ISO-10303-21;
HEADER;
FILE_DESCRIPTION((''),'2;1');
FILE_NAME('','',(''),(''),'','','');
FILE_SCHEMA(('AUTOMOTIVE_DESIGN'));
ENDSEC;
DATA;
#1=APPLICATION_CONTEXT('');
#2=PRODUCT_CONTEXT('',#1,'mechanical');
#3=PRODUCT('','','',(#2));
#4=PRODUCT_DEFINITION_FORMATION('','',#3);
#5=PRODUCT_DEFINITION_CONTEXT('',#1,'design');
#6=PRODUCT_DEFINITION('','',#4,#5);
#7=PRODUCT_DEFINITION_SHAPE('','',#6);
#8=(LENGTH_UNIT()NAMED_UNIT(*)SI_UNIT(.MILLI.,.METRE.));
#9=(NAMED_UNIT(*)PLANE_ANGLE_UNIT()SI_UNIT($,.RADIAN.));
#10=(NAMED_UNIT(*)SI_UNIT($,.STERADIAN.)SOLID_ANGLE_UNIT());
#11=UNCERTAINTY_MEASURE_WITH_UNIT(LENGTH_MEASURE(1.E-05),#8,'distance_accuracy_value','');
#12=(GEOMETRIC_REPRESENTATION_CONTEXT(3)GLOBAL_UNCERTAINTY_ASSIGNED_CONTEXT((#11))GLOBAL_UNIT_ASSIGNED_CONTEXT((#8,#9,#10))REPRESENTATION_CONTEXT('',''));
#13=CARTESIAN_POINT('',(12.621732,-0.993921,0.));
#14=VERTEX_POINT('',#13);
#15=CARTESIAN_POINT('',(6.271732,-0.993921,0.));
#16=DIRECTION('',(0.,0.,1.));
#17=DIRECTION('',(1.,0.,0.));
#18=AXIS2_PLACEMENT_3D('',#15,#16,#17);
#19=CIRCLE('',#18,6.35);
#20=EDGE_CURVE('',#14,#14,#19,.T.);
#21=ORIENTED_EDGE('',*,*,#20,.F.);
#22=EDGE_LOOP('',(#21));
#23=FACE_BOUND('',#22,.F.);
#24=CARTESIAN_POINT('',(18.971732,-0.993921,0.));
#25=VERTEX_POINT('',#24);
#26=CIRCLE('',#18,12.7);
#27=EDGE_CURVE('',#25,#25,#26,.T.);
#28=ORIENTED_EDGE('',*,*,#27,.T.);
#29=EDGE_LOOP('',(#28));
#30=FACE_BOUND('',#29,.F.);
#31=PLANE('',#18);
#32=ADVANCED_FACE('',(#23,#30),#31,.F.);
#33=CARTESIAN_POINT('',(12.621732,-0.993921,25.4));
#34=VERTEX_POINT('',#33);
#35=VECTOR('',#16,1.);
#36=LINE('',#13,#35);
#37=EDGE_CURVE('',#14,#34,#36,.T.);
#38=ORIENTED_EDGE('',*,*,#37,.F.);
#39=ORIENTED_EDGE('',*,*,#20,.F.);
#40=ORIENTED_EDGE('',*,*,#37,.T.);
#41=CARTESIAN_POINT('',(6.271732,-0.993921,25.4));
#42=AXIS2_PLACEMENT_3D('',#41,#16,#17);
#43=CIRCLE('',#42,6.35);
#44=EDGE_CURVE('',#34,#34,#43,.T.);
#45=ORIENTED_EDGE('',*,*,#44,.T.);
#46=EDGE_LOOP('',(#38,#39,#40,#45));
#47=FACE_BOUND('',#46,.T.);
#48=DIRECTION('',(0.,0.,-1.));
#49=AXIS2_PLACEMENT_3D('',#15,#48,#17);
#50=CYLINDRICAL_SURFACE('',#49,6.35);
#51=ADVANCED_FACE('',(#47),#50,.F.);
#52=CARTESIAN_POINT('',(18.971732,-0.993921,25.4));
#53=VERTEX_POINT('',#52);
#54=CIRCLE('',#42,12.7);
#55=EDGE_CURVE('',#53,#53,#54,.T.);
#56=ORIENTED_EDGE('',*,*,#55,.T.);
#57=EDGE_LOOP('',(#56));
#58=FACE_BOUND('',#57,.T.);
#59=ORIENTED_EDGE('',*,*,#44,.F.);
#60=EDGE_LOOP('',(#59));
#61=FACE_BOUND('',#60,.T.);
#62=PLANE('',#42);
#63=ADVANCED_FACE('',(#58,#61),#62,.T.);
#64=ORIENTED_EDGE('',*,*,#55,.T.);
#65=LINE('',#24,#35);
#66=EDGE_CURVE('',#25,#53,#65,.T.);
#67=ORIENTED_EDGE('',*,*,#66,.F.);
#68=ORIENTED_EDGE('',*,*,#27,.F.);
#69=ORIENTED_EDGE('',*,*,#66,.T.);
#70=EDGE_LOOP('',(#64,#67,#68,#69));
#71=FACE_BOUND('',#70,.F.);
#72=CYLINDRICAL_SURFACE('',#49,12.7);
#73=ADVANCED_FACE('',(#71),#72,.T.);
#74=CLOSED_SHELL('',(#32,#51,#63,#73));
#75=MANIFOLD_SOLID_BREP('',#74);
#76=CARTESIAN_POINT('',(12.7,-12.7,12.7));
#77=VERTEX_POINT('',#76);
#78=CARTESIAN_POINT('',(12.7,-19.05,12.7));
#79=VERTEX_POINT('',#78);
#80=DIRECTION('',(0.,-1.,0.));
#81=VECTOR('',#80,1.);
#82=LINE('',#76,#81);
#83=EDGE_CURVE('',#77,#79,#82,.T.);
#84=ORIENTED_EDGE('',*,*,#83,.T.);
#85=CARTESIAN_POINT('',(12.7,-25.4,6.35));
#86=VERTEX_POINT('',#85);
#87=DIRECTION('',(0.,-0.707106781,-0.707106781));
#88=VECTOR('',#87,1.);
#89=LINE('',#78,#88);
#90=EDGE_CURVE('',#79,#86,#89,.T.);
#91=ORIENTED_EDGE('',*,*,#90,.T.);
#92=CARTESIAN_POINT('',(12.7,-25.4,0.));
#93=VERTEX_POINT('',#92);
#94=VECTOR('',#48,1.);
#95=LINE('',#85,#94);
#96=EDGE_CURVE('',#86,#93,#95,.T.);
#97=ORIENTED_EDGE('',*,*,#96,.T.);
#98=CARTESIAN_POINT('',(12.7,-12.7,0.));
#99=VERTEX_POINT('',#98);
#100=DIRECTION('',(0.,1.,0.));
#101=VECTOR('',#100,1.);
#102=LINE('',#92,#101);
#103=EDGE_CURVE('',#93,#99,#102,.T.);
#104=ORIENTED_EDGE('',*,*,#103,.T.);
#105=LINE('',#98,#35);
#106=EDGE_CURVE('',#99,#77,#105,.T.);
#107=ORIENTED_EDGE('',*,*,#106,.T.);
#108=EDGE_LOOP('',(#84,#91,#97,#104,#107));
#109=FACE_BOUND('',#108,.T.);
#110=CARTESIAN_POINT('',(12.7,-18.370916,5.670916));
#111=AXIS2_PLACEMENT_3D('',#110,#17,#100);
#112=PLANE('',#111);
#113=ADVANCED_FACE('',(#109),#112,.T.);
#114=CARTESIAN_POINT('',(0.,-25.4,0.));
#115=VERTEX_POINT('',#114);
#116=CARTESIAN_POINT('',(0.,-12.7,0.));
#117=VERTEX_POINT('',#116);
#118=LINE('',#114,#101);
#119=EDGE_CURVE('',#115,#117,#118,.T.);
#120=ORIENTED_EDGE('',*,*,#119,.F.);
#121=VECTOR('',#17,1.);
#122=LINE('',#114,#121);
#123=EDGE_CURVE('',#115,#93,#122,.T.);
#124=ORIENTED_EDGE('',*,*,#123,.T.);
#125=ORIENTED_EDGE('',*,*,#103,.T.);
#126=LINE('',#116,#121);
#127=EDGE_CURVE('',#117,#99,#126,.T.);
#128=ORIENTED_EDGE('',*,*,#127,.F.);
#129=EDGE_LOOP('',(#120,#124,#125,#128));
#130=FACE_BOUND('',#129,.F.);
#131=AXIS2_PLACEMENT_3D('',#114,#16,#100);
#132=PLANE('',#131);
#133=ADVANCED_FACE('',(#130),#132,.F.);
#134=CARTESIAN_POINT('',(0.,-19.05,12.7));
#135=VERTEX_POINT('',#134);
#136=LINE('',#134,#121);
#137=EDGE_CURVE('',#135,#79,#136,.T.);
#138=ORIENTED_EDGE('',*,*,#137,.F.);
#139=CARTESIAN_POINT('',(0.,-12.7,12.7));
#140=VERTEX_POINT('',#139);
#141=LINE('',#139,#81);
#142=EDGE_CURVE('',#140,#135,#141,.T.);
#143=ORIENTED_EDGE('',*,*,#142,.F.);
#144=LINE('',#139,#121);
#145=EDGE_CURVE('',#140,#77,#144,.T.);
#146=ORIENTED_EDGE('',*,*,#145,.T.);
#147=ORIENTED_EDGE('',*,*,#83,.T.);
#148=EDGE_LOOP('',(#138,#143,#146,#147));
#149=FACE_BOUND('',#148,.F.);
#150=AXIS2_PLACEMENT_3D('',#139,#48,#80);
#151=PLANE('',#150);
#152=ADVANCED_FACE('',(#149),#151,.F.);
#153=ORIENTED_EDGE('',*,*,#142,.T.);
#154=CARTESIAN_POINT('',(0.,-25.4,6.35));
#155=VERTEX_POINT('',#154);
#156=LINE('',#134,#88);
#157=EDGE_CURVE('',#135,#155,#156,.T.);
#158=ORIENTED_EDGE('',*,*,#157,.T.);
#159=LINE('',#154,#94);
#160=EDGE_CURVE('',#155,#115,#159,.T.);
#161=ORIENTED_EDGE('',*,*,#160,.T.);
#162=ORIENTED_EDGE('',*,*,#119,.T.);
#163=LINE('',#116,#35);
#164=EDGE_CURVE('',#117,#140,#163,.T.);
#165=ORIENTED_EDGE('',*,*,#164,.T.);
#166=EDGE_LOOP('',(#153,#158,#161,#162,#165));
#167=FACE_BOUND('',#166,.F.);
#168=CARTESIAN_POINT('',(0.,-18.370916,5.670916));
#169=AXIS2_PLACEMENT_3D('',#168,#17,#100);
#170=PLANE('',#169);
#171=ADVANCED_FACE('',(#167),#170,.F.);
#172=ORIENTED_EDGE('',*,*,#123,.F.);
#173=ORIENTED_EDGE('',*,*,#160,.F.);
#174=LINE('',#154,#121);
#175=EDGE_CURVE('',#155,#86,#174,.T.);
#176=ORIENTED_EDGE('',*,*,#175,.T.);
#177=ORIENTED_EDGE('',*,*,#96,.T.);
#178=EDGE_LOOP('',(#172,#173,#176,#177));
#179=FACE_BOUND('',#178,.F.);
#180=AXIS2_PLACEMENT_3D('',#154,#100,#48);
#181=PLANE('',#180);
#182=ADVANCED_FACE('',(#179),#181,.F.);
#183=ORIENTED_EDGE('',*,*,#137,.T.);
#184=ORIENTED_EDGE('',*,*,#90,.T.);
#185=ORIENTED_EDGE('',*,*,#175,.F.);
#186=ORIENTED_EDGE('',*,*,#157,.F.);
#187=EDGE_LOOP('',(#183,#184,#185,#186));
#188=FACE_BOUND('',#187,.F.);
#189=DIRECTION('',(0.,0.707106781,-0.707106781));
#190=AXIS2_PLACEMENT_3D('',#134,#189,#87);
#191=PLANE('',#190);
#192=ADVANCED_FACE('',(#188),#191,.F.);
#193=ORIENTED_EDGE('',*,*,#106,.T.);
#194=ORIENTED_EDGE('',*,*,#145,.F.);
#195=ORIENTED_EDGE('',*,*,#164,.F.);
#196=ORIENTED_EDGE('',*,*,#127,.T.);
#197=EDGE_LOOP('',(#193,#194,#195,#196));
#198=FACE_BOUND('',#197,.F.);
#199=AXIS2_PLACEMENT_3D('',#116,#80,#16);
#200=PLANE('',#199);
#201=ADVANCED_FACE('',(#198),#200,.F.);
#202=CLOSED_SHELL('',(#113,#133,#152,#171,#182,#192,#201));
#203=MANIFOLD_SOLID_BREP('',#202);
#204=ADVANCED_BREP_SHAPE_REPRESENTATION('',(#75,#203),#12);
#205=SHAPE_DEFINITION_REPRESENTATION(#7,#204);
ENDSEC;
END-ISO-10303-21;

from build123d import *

# Parameters (mm, degrees)
F2_DEPTH = 12.7
F0_R     = 12.7
F0_R_2   = 6.35
F3_DEPTH = 25.4


with BuildPart() as f2:
    # F1 (on Right) → F2 (new body)
    with BuildSketch(Plane.YZ):
        Polygon((-12.7, 0), (-12.7, 12.7), (-19.05, 12.7), (-25.4, 6.35), (-25.4, 0), align=None)
    extrude(amount=F2_DEPTH)


with BuildPart() as f3:
    # F0 (on Top) → F3 (new body)
    with BuildSketch(Plane.XY):
        with Locations((6.271732, -0.993921)):
            Circle(F0_R)
        with Locations((6.271732, -0.993921)):
            Circle(F0_R_2, mode=Mode.SUBTRACT)
    extrude(amount=F3_DEPTH)


solid = Compound([f2.part, f3.part])
